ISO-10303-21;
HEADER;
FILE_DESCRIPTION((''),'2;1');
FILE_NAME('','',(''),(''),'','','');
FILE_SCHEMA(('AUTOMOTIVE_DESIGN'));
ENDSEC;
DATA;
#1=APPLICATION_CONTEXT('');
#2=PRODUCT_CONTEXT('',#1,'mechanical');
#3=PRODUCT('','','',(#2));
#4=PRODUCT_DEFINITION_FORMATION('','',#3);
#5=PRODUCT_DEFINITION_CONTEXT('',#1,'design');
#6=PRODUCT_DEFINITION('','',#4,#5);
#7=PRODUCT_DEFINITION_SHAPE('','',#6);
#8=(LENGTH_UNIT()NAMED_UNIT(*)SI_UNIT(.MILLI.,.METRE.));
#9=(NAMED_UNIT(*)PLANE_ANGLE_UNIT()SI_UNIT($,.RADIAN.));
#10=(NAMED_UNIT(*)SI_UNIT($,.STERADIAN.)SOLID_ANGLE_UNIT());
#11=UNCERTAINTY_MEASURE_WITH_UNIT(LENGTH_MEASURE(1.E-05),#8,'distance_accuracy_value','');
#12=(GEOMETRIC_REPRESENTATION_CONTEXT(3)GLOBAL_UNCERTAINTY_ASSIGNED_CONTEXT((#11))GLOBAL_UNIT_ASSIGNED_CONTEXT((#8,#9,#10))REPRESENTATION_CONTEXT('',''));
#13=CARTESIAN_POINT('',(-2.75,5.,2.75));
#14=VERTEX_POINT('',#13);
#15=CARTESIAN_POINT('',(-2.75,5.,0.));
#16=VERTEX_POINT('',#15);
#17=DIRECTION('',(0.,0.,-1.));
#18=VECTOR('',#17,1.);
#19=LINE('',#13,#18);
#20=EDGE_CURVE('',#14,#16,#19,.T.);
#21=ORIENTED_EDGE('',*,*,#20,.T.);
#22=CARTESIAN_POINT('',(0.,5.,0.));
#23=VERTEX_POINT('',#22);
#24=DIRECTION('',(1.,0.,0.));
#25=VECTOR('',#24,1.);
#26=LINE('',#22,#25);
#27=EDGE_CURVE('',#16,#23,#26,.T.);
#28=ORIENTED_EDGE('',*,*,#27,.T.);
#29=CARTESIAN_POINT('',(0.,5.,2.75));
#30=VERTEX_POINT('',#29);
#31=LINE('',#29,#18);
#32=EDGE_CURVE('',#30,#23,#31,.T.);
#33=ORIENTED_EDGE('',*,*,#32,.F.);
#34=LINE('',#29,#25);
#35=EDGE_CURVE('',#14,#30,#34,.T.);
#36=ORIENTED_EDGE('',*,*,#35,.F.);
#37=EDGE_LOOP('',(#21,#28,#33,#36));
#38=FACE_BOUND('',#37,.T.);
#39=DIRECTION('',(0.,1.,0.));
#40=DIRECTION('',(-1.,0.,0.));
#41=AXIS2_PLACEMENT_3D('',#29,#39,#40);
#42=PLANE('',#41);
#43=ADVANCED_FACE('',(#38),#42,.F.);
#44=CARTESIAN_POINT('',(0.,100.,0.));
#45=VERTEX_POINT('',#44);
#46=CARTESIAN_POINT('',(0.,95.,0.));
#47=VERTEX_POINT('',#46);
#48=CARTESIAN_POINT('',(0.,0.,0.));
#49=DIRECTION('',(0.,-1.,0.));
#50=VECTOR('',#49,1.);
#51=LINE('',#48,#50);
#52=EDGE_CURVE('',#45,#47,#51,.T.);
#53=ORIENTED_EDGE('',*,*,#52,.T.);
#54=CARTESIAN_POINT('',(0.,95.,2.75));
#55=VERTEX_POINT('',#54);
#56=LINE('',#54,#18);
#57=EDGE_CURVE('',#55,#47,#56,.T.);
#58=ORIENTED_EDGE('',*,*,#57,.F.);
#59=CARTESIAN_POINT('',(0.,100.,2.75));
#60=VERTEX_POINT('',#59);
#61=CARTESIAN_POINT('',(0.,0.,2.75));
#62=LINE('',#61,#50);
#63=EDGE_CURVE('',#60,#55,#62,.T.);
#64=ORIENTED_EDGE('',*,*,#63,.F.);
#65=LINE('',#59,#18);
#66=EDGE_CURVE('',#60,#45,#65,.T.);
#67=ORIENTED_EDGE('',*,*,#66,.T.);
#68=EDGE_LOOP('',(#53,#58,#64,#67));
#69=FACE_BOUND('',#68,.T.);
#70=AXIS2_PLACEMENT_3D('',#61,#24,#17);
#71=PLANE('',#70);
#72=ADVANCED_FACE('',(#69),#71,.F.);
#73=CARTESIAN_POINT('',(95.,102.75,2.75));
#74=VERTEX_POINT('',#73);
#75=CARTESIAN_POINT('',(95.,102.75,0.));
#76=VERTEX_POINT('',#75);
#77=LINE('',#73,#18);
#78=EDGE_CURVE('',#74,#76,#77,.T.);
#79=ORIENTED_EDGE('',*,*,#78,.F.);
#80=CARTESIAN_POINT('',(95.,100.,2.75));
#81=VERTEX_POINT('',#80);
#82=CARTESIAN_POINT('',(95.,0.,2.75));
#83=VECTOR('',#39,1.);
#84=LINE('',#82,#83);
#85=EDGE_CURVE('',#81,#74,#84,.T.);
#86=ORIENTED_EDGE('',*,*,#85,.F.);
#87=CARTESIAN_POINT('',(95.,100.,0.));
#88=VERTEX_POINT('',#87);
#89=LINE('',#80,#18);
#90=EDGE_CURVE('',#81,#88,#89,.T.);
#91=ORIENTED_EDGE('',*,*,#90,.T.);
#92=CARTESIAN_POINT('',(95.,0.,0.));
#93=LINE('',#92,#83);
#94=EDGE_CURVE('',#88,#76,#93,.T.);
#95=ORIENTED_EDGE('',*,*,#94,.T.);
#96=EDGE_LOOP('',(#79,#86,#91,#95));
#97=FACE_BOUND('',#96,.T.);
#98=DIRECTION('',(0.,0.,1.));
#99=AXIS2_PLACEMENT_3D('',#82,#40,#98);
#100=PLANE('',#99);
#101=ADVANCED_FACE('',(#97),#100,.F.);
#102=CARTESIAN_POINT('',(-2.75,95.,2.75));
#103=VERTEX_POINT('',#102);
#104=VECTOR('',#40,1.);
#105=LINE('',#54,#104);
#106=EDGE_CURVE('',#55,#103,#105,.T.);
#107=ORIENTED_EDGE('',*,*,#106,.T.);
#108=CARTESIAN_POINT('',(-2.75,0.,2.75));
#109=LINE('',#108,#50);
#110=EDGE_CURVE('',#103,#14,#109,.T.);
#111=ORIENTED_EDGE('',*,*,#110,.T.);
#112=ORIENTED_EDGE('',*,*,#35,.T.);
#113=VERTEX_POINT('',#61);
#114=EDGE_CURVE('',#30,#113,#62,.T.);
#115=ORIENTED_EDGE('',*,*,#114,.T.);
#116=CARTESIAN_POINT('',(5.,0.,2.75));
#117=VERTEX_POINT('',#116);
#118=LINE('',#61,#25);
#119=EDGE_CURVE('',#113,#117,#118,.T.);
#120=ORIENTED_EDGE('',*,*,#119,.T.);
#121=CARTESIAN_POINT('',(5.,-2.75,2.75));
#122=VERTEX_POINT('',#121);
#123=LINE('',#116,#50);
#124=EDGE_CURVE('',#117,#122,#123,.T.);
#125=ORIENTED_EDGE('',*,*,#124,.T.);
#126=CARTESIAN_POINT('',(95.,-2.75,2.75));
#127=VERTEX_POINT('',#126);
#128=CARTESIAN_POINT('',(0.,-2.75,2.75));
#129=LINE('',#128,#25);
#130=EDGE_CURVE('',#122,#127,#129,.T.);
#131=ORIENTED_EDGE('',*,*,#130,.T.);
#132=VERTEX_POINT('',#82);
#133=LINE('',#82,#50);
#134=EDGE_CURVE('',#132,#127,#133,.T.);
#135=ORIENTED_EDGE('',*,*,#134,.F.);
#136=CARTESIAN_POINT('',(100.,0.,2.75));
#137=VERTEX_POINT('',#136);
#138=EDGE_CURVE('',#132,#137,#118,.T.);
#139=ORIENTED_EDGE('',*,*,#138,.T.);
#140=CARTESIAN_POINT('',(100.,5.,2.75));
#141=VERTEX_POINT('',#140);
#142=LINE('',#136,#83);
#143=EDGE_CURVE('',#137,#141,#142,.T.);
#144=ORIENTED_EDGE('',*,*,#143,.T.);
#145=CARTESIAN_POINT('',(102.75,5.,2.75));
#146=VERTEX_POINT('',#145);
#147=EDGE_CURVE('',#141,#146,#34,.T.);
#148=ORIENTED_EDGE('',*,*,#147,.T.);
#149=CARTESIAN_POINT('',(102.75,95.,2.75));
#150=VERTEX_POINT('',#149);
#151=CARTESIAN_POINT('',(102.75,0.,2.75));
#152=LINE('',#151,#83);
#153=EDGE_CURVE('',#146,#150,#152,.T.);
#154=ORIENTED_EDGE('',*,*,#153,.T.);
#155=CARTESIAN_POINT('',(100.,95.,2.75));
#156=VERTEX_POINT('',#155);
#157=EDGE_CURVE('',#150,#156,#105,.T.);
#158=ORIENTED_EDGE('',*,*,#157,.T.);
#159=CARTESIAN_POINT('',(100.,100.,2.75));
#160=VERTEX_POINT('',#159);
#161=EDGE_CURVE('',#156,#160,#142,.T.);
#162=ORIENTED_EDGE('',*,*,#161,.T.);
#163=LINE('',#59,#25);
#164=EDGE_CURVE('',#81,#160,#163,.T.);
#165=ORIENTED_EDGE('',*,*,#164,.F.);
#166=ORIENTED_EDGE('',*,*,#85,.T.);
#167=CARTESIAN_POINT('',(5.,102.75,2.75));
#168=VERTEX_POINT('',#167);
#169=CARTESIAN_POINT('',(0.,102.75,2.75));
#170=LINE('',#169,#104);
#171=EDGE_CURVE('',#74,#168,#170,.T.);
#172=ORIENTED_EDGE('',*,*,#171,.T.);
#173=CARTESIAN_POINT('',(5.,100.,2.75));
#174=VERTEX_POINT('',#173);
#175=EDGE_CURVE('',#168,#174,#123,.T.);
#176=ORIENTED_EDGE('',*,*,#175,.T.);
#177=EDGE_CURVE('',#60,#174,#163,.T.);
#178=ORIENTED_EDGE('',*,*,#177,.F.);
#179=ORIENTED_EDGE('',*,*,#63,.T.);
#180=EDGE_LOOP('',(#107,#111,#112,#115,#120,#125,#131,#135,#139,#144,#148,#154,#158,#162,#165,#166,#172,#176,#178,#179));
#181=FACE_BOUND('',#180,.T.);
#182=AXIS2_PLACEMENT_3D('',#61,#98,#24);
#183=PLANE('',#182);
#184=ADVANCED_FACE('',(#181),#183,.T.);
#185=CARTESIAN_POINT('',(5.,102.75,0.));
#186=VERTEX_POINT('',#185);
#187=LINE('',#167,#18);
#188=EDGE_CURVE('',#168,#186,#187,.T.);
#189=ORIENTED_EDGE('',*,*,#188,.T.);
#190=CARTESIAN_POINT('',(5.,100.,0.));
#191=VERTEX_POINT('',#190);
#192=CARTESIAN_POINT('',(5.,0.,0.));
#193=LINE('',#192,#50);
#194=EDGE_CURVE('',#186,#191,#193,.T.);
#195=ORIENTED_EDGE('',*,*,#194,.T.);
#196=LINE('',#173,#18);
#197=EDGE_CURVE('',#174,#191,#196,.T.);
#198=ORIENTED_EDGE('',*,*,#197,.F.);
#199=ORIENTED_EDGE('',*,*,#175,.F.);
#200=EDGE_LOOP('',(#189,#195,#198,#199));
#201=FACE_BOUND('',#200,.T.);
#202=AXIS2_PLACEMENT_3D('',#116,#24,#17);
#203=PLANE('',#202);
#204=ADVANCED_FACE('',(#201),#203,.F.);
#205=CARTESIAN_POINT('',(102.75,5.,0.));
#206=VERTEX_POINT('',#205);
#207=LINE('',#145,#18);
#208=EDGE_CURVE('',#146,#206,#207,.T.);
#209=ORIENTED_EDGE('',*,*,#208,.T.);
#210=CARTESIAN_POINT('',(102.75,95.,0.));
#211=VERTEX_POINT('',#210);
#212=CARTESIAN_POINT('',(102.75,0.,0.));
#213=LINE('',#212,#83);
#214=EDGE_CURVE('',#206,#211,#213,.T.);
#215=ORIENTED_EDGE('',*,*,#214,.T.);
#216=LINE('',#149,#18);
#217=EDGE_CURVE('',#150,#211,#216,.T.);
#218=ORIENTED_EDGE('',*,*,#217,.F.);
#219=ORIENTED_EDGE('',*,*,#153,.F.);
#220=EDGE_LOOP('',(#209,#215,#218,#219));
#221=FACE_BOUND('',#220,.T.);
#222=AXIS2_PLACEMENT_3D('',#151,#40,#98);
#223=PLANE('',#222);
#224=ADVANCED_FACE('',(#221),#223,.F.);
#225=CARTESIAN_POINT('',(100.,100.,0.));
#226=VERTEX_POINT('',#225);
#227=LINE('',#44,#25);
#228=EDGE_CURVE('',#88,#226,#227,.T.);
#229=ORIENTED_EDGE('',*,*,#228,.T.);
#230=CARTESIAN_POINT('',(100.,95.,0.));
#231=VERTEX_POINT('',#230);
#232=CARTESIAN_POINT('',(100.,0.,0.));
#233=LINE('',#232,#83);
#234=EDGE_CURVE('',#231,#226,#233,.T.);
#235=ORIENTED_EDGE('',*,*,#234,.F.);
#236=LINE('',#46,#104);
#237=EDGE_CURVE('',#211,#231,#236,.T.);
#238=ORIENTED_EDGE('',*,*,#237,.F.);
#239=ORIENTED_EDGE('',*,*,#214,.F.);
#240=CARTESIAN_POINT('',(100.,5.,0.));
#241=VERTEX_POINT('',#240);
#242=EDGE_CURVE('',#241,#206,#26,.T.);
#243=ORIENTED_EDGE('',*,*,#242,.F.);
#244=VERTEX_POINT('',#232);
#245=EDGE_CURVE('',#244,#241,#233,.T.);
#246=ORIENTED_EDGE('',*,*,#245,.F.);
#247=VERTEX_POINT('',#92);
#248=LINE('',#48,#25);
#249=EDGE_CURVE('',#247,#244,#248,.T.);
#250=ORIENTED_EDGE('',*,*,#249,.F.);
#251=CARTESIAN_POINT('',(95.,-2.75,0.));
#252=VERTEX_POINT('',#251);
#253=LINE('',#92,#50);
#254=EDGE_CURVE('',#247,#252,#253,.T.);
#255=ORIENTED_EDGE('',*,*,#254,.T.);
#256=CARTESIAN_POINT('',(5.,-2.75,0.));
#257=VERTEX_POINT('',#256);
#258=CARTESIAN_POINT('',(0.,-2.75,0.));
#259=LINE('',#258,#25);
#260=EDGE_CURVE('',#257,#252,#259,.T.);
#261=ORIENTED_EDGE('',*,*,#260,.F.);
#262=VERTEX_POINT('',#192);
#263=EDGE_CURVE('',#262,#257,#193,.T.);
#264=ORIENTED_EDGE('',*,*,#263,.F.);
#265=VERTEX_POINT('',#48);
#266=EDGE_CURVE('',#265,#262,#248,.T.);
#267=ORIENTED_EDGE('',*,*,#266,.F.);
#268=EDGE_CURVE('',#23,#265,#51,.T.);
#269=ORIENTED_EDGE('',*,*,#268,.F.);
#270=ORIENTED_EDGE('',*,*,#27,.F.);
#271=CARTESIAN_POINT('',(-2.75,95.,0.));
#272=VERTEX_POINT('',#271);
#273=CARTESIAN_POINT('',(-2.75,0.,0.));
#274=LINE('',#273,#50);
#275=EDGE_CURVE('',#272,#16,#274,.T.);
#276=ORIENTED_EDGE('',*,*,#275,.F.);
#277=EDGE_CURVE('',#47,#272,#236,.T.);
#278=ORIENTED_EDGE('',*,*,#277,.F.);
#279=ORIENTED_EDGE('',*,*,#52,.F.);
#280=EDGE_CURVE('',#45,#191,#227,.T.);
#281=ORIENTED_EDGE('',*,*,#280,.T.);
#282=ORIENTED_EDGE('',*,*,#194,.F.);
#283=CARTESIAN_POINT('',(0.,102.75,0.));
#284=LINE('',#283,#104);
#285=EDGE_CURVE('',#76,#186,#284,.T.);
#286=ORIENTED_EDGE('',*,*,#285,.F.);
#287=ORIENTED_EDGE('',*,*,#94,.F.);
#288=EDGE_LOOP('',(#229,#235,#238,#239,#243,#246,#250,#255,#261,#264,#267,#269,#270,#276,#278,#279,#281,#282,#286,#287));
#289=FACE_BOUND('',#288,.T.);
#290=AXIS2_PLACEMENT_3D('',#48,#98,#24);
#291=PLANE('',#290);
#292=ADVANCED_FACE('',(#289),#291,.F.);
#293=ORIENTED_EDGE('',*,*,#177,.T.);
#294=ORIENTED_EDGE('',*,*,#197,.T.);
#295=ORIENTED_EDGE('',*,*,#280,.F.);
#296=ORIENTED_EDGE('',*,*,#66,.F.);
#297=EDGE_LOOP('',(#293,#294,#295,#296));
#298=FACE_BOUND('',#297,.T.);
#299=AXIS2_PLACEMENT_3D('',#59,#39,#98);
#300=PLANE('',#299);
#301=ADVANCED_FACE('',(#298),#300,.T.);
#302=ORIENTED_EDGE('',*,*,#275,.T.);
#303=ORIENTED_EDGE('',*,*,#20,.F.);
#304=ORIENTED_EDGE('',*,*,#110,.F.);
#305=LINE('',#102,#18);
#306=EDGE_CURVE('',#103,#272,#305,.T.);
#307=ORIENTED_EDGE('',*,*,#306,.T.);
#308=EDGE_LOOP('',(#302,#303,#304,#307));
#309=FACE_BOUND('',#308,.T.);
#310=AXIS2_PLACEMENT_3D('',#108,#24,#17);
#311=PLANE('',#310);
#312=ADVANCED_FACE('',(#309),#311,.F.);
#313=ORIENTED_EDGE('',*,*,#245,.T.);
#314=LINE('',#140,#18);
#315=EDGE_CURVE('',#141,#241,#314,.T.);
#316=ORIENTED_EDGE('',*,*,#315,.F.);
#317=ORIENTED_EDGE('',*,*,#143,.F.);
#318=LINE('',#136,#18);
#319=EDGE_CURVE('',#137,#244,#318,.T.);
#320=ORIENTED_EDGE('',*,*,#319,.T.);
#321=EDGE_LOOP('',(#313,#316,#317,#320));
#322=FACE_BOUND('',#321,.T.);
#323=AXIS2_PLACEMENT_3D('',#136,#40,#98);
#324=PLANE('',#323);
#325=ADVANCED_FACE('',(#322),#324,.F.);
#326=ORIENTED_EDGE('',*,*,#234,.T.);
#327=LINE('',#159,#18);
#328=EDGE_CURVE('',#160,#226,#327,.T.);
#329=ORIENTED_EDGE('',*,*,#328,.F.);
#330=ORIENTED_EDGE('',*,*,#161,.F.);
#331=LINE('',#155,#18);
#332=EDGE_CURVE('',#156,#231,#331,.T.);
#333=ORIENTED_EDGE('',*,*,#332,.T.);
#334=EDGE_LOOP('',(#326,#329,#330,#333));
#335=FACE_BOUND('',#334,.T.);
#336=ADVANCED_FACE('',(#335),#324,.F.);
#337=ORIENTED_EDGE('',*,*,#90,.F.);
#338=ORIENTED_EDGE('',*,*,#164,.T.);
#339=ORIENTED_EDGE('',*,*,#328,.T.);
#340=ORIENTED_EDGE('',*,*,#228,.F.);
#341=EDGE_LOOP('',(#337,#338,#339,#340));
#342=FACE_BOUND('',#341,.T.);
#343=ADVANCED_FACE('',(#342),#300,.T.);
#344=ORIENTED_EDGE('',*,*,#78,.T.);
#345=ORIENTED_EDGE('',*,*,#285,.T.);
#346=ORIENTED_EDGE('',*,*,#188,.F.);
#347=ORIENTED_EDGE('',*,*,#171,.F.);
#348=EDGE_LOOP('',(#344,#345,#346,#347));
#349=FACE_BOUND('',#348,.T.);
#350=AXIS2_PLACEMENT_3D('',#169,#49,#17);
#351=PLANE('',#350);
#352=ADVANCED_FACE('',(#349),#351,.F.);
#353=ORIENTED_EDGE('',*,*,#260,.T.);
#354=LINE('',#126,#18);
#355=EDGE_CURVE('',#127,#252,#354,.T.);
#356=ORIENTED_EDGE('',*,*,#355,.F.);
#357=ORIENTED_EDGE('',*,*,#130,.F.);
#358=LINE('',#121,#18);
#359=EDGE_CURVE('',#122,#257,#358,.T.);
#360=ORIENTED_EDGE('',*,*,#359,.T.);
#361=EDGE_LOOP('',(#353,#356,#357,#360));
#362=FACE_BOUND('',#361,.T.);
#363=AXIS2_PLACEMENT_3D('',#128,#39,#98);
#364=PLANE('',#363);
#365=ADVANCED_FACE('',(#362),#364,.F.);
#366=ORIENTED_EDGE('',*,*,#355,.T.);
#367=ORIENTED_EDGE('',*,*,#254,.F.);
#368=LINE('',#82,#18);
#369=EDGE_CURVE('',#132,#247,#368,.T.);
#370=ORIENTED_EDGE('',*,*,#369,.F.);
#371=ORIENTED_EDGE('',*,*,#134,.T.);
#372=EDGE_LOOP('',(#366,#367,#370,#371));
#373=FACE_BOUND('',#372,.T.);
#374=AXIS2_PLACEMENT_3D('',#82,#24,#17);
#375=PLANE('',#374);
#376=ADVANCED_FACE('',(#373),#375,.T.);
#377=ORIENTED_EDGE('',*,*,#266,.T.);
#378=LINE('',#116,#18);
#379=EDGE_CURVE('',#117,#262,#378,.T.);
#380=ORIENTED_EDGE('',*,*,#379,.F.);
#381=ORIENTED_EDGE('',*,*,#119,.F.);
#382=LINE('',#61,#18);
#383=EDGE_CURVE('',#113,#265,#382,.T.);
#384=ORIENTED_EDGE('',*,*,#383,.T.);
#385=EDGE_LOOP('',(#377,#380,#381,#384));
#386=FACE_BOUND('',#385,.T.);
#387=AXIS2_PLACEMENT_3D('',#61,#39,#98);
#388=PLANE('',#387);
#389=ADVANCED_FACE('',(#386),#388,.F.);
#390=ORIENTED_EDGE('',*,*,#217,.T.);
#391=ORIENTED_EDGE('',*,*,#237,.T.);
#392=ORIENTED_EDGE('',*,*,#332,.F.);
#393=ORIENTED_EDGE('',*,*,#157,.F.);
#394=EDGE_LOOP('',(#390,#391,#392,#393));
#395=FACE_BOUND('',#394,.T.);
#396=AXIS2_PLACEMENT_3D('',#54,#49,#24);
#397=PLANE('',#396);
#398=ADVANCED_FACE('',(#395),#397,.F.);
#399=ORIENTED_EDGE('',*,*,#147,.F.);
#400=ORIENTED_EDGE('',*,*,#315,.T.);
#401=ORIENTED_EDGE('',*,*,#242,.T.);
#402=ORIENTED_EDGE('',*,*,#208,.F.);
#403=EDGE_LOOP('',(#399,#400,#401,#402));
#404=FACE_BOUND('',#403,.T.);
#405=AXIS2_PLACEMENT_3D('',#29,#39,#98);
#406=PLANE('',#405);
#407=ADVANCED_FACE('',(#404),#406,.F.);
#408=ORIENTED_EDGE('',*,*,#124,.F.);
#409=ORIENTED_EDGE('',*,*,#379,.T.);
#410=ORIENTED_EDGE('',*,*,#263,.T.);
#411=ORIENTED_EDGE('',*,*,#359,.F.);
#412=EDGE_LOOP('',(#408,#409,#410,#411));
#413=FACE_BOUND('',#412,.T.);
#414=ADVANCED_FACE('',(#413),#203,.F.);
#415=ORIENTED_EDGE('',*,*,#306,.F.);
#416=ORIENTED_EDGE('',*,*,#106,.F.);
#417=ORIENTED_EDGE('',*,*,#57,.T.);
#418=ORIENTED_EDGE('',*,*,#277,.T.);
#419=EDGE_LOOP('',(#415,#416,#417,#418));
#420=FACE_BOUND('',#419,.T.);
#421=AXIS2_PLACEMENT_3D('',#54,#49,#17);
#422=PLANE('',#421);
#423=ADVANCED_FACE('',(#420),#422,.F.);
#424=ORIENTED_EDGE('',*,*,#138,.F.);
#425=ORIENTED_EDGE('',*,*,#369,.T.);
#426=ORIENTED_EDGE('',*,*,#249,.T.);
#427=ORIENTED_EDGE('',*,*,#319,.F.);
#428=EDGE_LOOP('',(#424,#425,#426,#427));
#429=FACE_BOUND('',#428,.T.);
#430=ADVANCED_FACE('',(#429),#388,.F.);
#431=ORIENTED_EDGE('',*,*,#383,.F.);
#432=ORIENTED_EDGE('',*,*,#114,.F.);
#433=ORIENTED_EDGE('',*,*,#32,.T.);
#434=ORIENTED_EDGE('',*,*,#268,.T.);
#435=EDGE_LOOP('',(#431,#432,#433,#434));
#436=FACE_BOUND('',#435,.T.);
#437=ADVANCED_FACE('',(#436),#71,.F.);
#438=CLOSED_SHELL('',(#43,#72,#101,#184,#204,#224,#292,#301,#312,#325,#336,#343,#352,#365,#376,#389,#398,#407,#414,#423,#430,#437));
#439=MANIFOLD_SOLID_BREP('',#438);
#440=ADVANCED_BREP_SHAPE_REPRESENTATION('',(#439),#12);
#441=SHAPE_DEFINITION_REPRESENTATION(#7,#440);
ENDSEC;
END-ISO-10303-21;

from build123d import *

# Parameters (mm, degrees)
SKETCH_1_W      = 2.75
SKETCH_1_H      = 90
SKETCH_1_W_2    = 90
SKETCH_1_H_2    = 2.75
EXTRUDE_1_DEPTH = 2.75


with BuildPart() as part:
    # 草图1 → 凸台-拉伸1 (new body)
    with BuildSketch(Plane.XY):
        Polygon((5, 100), (0, 100), (0, 95), (0, 5), (0, 0), (5, 0), (95, 0), (100, 0), (100, 5), (100, 95), (100, 100), (95, 100), align=None)
        with Locations((-1.375, 50)):
            Rectangle(SKETCH_1_W, SKETCH_1_H)
        with Locations((50, 101.375)):
            Rectangle(SKETCH_1_W_2, SKETCH_1_H_2)
        with Locations((101.375, 50)):
            Rectangle(SKETCH_1_W, SKETCH_1_H)
        with Locations((50, -1.375)):
            Rectangle(SKETCH_1_W_2, SKETCH_1_H_2)
    extrude(amount=EXTRUDE_1_DEPTH)


solid = part.part
